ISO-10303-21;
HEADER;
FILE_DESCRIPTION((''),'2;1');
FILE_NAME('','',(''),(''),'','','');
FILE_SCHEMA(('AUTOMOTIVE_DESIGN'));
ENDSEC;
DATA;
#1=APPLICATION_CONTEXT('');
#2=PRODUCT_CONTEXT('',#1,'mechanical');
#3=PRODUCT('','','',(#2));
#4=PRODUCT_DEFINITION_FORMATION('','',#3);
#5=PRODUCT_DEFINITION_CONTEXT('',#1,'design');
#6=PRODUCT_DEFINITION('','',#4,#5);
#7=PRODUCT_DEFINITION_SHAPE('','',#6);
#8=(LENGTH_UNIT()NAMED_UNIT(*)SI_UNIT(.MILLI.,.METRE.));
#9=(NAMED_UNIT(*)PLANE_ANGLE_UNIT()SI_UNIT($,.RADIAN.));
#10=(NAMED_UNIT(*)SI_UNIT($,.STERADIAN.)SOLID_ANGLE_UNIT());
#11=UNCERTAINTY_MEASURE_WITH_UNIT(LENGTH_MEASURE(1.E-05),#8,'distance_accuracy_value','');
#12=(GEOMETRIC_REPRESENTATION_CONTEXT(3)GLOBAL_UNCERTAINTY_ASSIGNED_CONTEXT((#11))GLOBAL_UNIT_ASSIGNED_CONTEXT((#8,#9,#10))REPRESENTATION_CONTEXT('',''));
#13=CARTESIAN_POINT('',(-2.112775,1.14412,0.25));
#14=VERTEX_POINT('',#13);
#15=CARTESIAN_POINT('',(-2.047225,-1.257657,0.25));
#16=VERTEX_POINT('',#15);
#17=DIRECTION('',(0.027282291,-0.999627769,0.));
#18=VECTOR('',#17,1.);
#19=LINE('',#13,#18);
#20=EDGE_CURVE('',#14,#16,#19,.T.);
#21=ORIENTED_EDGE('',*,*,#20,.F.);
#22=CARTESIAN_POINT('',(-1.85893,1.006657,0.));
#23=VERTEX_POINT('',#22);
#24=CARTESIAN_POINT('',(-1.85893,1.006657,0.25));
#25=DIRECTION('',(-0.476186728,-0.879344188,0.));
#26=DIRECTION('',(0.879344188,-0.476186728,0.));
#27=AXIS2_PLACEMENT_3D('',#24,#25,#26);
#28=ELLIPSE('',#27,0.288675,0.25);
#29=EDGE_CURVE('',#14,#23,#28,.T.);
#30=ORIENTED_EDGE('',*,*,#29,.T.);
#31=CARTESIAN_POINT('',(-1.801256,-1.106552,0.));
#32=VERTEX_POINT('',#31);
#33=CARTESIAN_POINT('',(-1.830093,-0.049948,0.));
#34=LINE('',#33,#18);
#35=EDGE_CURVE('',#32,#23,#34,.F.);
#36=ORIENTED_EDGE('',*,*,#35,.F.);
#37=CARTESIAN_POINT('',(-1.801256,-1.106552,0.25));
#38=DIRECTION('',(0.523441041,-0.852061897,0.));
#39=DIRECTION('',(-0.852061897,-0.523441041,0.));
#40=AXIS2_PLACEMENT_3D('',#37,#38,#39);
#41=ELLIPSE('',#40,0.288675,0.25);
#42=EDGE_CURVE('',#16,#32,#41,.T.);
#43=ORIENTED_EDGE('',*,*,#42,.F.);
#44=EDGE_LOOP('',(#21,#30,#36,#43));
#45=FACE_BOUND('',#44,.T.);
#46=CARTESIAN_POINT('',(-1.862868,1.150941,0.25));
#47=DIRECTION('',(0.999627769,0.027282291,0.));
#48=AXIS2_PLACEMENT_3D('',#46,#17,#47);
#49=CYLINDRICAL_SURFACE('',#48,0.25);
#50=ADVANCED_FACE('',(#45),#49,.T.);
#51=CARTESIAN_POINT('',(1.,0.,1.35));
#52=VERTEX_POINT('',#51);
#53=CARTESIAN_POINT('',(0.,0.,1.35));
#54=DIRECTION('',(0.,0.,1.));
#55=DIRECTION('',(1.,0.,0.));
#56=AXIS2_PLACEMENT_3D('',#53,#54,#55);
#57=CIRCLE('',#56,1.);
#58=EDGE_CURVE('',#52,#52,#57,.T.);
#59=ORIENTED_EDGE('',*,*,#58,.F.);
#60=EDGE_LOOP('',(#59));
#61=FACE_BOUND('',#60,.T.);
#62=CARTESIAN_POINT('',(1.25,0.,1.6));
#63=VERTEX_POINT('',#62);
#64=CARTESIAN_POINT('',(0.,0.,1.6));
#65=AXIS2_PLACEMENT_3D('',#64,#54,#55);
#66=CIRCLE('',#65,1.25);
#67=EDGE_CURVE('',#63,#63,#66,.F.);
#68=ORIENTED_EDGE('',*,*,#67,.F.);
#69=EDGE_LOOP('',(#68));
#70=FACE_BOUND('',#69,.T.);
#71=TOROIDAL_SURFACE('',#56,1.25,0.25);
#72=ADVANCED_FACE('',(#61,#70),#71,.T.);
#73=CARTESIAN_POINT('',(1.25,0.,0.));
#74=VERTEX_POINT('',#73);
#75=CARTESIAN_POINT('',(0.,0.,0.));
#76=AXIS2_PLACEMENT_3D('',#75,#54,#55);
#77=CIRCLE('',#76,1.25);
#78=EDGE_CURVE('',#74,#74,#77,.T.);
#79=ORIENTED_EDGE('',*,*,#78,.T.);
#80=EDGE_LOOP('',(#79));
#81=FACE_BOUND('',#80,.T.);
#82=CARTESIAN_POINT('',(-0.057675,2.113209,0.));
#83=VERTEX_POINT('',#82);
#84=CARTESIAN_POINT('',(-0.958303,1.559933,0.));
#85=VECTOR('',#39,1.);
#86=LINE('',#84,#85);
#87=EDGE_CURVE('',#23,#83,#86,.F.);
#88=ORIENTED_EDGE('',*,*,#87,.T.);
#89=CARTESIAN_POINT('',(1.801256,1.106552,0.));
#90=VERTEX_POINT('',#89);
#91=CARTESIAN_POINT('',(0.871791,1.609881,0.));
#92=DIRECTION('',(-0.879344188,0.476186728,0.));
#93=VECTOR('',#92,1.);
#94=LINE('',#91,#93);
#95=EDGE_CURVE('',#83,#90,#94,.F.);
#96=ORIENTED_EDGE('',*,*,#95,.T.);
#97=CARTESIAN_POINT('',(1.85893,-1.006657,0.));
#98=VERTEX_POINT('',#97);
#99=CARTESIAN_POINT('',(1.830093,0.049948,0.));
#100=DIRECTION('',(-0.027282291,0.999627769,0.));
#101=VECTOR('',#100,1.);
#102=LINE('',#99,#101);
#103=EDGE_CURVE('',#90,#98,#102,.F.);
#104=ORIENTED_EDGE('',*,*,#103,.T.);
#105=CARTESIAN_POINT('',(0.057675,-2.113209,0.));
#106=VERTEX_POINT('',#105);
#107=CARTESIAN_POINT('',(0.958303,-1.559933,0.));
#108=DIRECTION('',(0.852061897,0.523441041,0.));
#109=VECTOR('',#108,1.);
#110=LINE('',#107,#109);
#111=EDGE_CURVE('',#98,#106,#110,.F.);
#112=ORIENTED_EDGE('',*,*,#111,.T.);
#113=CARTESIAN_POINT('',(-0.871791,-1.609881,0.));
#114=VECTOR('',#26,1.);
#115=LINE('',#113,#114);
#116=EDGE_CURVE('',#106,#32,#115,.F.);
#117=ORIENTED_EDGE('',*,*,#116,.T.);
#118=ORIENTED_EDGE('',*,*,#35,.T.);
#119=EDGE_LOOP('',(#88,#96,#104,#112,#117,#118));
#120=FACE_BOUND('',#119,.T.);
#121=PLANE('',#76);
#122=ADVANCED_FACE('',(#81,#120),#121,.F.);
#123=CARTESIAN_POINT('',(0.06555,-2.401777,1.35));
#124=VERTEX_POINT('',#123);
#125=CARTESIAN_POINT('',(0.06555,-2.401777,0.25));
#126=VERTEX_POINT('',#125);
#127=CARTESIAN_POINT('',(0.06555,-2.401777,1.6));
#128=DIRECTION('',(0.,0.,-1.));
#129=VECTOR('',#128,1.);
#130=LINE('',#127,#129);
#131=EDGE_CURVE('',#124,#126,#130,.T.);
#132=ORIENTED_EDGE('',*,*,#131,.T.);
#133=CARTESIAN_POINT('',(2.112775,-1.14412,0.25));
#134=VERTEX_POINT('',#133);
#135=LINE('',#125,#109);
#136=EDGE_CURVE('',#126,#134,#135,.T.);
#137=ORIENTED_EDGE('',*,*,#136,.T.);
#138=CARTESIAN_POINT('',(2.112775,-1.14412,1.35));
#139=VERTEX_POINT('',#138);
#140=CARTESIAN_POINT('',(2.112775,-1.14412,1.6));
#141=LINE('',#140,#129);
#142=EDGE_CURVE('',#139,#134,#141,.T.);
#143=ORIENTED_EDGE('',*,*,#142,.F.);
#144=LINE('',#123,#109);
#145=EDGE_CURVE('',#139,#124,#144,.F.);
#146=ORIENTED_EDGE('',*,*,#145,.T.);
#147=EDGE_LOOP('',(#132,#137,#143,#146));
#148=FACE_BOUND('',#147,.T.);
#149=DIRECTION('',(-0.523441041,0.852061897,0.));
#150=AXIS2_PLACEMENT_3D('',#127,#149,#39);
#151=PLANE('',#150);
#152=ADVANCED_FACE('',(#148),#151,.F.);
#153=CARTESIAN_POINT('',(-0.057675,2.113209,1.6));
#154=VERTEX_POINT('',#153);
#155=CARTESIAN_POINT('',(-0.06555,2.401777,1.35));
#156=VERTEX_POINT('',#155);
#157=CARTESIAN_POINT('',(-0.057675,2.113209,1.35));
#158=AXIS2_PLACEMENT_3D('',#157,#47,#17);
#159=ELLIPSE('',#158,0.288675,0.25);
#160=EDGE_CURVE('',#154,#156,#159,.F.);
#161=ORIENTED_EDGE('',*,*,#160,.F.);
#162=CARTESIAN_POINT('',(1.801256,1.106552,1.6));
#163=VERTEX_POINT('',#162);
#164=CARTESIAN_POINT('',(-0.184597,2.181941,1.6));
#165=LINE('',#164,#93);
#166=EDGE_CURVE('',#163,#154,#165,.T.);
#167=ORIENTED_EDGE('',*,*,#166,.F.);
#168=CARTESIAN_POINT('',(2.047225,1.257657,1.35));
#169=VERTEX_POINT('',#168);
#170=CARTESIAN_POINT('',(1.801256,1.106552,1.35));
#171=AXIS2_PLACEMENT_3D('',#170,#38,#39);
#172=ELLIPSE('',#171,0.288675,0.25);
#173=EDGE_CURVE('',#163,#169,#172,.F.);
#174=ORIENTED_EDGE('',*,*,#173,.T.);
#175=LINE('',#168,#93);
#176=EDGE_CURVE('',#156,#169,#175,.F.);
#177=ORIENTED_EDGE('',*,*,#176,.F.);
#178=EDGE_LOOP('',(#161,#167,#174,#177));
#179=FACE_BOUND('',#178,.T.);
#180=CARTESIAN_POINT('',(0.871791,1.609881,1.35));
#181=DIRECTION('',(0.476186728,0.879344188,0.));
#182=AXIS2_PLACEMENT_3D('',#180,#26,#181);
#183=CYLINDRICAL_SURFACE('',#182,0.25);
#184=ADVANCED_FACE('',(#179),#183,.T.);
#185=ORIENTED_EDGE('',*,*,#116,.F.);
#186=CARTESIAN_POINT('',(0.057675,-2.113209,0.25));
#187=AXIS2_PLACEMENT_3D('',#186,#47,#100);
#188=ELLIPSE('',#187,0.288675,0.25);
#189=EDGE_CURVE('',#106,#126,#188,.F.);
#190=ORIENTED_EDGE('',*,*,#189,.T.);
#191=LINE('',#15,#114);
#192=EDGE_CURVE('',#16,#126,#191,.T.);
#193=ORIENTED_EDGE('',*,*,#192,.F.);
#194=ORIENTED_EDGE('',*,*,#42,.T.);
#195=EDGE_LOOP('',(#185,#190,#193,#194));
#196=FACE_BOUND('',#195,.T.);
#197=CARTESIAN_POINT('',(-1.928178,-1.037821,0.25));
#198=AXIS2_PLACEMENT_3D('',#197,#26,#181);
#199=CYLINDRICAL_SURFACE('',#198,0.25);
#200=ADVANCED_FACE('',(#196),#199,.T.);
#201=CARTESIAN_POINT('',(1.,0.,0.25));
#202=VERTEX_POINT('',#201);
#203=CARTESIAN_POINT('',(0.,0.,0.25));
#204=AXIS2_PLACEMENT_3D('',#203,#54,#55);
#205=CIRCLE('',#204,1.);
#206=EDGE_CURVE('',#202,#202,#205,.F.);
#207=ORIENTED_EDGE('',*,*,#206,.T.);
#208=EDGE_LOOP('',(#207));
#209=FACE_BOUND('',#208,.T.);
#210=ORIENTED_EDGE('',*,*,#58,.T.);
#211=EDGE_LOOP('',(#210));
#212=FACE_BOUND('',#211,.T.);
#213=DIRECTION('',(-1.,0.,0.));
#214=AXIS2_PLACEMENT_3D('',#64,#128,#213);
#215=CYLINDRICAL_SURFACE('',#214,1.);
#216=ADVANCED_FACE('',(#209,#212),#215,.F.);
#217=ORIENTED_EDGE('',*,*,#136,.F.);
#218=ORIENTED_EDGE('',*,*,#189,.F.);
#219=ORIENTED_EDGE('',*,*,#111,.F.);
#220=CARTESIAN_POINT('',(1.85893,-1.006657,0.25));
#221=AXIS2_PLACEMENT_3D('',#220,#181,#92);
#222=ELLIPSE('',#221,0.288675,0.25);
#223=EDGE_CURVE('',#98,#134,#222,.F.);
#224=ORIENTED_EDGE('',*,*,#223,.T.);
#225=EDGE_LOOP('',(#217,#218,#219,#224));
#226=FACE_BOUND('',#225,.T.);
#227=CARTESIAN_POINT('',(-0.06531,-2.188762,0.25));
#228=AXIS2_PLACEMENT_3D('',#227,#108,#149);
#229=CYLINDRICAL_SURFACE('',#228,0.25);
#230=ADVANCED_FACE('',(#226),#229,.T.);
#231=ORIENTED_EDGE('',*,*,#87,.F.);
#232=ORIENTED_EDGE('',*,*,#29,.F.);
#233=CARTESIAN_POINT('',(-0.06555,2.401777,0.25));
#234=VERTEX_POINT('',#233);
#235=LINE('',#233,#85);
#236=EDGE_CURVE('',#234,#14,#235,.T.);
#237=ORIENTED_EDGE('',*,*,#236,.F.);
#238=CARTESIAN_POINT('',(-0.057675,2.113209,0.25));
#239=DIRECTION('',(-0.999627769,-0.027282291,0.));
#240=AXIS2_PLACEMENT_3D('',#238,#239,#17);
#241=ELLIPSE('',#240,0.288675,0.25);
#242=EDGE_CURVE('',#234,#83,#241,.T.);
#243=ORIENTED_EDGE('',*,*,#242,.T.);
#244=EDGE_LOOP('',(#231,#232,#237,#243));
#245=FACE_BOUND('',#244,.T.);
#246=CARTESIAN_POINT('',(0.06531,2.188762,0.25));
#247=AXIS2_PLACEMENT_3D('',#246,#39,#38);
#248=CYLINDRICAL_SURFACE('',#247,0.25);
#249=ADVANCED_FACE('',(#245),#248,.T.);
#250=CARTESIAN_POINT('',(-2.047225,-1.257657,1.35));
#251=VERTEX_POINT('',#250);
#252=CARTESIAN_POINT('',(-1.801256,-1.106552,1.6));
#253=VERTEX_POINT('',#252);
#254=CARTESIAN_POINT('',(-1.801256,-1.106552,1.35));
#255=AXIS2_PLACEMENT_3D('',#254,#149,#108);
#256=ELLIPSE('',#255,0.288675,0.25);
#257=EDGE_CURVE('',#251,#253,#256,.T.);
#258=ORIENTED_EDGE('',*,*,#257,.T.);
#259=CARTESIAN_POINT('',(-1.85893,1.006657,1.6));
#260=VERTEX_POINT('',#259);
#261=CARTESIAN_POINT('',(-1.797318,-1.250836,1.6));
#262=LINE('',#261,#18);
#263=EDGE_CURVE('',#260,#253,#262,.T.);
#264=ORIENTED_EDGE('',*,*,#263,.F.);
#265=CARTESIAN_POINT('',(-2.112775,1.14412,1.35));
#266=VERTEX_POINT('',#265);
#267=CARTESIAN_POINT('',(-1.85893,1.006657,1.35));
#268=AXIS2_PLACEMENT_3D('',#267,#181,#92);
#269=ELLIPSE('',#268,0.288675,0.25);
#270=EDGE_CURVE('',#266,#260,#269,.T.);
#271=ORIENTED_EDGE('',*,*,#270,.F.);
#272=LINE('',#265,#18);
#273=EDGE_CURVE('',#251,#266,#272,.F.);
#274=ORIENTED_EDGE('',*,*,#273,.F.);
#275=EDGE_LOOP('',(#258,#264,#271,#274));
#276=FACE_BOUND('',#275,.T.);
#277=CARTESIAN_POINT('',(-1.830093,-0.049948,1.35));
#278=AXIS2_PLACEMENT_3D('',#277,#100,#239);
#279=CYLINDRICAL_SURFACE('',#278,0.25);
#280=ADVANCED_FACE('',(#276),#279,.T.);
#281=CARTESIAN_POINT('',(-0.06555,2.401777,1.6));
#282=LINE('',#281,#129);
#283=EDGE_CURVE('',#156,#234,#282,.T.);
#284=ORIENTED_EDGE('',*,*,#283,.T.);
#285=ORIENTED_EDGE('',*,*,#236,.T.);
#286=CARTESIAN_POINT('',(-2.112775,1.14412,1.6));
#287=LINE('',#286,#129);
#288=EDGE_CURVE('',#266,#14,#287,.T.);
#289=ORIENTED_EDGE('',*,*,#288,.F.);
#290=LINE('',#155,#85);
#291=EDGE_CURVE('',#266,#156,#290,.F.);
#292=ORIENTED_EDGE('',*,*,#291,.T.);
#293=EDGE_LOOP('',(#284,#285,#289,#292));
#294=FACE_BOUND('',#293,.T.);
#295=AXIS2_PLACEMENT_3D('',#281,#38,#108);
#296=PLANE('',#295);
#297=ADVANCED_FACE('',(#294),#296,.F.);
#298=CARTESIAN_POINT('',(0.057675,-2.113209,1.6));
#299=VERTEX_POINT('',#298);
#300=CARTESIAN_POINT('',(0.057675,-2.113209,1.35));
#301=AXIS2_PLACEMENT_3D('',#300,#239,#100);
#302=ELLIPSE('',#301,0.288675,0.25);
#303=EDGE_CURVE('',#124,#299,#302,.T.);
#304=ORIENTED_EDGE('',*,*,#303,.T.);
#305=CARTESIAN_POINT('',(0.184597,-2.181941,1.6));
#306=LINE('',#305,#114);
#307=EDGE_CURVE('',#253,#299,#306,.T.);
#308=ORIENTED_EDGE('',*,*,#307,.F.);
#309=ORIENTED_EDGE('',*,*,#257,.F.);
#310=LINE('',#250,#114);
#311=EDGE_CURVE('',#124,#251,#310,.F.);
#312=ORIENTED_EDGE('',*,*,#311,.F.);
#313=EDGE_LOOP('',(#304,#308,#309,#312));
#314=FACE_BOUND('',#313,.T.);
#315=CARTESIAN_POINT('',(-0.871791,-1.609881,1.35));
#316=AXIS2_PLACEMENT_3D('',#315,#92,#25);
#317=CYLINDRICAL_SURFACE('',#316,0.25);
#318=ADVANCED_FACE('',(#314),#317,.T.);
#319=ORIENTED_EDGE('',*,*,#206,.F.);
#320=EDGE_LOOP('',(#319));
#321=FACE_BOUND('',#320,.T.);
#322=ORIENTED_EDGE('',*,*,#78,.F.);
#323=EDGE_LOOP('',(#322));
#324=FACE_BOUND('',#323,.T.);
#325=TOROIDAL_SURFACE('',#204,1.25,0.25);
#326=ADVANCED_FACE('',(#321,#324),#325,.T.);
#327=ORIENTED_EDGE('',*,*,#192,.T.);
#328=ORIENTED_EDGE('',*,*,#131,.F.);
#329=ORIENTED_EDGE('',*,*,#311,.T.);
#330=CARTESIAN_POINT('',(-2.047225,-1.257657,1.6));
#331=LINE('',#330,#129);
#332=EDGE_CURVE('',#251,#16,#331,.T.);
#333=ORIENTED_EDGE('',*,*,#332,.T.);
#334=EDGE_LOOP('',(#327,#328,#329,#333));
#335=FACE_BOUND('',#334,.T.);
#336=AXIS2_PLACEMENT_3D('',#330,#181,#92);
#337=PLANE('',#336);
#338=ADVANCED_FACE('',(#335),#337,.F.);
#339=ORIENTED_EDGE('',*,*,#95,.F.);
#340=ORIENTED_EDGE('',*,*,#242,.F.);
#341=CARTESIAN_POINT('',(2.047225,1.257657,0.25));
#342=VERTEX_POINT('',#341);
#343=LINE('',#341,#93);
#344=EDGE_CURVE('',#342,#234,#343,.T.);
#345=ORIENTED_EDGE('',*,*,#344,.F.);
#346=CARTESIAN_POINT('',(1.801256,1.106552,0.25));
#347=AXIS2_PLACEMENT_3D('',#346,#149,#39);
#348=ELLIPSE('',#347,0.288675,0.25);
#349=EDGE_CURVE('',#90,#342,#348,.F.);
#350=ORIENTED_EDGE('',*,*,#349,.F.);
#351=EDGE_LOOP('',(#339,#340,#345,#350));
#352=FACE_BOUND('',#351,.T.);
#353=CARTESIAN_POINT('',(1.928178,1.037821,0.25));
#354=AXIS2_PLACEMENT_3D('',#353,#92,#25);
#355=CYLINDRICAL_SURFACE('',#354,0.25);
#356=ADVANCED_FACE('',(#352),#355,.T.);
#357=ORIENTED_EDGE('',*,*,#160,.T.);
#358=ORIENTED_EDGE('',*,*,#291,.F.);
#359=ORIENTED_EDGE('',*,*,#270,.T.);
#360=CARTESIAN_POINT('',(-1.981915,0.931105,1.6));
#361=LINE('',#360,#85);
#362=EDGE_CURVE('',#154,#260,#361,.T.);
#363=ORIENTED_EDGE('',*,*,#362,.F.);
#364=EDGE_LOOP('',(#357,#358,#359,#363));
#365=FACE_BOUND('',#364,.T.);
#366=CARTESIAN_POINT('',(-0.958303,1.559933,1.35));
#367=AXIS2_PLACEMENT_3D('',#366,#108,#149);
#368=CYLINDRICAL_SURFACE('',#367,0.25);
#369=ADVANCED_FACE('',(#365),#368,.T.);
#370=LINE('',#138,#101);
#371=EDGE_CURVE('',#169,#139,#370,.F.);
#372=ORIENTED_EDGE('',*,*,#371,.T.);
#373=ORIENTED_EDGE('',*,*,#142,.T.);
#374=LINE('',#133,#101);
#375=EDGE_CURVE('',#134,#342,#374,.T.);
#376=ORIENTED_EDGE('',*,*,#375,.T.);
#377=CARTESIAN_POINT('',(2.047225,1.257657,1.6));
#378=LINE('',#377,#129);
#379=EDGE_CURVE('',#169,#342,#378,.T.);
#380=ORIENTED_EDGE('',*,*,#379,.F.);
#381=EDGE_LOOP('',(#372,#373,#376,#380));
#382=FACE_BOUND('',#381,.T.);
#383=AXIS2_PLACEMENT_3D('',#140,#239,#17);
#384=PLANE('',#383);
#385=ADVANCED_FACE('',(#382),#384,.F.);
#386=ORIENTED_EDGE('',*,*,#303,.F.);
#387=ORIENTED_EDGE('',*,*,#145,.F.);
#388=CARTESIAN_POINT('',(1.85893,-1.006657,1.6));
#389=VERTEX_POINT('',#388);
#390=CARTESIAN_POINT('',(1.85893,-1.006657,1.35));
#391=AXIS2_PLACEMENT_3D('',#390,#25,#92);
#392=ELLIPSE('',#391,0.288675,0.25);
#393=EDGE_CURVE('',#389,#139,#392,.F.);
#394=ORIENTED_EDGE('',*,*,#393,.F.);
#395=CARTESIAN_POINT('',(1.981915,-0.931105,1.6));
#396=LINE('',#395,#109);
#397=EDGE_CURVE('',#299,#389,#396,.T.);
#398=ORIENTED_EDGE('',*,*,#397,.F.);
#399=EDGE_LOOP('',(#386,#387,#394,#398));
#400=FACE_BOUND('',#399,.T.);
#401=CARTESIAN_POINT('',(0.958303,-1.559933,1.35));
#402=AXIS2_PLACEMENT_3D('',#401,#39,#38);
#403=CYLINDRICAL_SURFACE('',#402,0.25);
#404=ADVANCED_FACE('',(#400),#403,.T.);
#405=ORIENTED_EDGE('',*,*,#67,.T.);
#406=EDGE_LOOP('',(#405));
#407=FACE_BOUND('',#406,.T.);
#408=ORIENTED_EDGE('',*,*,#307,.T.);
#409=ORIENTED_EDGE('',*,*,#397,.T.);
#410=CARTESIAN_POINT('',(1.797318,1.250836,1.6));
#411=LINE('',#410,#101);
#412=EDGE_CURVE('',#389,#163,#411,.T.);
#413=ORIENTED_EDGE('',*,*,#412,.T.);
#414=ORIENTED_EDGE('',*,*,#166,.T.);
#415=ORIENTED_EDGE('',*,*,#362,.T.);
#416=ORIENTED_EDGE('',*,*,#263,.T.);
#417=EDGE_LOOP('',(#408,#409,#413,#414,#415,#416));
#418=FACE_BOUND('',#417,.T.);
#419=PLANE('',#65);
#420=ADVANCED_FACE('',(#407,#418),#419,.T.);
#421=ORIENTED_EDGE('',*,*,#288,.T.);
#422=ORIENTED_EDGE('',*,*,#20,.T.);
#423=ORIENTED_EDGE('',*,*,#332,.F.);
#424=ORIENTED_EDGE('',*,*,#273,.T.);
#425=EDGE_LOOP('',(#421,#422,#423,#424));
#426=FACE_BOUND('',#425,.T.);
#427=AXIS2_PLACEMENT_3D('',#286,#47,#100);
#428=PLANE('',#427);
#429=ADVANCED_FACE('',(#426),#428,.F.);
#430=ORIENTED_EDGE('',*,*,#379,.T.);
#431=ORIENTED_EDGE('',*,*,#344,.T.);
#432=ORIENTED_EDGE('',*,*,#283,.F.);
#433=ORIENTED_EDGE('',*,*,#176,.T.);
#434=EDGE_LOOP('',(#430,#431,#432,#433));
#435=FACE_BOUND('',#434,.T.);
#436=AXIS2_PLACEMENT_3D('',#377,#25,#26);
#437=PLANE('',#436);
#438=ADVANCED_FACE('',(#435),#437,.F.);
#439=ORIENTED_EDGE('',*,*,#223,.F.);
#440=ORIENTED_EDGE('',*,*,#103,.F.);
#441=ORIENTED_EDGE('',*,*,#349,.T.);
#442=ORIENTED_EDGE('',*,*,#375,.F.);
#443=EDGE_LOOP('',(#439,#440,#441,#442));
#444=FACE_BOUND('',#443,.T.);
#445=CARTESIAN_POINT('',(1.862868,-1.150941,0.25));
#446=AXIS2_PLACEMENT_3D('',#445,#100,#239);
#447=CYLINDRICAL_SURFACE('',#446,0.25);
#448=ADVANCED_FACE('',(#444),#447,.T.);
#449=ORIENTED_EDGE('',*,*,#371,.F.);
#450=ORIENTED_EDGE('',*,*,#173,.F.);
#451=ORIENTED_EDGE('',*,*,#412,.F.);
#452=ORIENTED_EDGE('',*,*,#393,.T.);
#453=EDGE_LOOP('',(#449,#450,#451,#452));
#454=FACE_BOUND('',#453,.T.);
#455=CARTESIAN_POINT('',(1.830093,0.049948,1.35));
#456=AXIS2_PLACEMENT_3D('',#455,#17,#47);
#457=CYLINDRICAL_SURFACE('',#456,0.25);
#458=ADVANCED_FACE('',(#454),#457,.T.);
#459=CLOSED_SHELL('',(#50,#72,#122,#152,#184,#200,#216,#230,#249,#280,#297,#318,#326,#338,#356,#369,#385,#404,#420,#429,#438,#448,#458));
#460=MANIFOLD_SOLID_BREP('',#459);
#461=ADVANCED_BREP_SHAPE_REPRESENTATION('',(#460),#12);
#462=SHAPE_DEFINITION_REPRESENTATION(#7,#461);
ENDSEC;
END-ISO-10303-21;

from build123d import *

# Parameters (mm, degrees)
SKETCH1_R           = 1
BOSS_EXTRUDE1_DEPTH = 1.6
FILLET1_R           = 0.25


with BuildPart() as part:
    # Sketch1 → Boss-Extrude1 (new body)
    with BuildSketch(Plane.XY):
        Polygon((-2.047224809, -1.257656856), (0.065550382, -2.40177712), (2.112775191, -1.144120264), (2.047224809, 1.257656856), (-0.065550382, 2.40177712), (-2.112775191, 1.144120264), align=None)
        Circle(SKETCH1_R, mode=Mode.SUBTRACT)
    extrude(amount=BOSS_EXTRUDE1_DEPTH)

    # Fillet1
    fillet1_edges = [part.edges().sort_by_distance(p)[0] for p in [
        (1.089162786, -1.772948692, 1.6),
        (2.08, 0.056768296, 1.6),
        (-1, 0, 0),
        (-1, 0, 1.6),
        (0.990837214, 1.829716988, 1.6),
        (-1.089162786, 1.772948692, 1.6),
        (-2.08, -0.056768296, 1.6),
        (-1.089162786, 1.772948692, 0),
        (0.990837214, 1.829716988, 0),
        (2.08, 0.056768296, 0),
        (1.089162786, -1.772948692, 0),
        (-0.990837214, -1.829716988, 0),
        (-2.08, -0.056768296, 0),
        (-0.990837214, -1.829716988, 1.6),
    ]]
    fillet(fillet1_edges, radius=FILLET1_R)


solid = part.part
